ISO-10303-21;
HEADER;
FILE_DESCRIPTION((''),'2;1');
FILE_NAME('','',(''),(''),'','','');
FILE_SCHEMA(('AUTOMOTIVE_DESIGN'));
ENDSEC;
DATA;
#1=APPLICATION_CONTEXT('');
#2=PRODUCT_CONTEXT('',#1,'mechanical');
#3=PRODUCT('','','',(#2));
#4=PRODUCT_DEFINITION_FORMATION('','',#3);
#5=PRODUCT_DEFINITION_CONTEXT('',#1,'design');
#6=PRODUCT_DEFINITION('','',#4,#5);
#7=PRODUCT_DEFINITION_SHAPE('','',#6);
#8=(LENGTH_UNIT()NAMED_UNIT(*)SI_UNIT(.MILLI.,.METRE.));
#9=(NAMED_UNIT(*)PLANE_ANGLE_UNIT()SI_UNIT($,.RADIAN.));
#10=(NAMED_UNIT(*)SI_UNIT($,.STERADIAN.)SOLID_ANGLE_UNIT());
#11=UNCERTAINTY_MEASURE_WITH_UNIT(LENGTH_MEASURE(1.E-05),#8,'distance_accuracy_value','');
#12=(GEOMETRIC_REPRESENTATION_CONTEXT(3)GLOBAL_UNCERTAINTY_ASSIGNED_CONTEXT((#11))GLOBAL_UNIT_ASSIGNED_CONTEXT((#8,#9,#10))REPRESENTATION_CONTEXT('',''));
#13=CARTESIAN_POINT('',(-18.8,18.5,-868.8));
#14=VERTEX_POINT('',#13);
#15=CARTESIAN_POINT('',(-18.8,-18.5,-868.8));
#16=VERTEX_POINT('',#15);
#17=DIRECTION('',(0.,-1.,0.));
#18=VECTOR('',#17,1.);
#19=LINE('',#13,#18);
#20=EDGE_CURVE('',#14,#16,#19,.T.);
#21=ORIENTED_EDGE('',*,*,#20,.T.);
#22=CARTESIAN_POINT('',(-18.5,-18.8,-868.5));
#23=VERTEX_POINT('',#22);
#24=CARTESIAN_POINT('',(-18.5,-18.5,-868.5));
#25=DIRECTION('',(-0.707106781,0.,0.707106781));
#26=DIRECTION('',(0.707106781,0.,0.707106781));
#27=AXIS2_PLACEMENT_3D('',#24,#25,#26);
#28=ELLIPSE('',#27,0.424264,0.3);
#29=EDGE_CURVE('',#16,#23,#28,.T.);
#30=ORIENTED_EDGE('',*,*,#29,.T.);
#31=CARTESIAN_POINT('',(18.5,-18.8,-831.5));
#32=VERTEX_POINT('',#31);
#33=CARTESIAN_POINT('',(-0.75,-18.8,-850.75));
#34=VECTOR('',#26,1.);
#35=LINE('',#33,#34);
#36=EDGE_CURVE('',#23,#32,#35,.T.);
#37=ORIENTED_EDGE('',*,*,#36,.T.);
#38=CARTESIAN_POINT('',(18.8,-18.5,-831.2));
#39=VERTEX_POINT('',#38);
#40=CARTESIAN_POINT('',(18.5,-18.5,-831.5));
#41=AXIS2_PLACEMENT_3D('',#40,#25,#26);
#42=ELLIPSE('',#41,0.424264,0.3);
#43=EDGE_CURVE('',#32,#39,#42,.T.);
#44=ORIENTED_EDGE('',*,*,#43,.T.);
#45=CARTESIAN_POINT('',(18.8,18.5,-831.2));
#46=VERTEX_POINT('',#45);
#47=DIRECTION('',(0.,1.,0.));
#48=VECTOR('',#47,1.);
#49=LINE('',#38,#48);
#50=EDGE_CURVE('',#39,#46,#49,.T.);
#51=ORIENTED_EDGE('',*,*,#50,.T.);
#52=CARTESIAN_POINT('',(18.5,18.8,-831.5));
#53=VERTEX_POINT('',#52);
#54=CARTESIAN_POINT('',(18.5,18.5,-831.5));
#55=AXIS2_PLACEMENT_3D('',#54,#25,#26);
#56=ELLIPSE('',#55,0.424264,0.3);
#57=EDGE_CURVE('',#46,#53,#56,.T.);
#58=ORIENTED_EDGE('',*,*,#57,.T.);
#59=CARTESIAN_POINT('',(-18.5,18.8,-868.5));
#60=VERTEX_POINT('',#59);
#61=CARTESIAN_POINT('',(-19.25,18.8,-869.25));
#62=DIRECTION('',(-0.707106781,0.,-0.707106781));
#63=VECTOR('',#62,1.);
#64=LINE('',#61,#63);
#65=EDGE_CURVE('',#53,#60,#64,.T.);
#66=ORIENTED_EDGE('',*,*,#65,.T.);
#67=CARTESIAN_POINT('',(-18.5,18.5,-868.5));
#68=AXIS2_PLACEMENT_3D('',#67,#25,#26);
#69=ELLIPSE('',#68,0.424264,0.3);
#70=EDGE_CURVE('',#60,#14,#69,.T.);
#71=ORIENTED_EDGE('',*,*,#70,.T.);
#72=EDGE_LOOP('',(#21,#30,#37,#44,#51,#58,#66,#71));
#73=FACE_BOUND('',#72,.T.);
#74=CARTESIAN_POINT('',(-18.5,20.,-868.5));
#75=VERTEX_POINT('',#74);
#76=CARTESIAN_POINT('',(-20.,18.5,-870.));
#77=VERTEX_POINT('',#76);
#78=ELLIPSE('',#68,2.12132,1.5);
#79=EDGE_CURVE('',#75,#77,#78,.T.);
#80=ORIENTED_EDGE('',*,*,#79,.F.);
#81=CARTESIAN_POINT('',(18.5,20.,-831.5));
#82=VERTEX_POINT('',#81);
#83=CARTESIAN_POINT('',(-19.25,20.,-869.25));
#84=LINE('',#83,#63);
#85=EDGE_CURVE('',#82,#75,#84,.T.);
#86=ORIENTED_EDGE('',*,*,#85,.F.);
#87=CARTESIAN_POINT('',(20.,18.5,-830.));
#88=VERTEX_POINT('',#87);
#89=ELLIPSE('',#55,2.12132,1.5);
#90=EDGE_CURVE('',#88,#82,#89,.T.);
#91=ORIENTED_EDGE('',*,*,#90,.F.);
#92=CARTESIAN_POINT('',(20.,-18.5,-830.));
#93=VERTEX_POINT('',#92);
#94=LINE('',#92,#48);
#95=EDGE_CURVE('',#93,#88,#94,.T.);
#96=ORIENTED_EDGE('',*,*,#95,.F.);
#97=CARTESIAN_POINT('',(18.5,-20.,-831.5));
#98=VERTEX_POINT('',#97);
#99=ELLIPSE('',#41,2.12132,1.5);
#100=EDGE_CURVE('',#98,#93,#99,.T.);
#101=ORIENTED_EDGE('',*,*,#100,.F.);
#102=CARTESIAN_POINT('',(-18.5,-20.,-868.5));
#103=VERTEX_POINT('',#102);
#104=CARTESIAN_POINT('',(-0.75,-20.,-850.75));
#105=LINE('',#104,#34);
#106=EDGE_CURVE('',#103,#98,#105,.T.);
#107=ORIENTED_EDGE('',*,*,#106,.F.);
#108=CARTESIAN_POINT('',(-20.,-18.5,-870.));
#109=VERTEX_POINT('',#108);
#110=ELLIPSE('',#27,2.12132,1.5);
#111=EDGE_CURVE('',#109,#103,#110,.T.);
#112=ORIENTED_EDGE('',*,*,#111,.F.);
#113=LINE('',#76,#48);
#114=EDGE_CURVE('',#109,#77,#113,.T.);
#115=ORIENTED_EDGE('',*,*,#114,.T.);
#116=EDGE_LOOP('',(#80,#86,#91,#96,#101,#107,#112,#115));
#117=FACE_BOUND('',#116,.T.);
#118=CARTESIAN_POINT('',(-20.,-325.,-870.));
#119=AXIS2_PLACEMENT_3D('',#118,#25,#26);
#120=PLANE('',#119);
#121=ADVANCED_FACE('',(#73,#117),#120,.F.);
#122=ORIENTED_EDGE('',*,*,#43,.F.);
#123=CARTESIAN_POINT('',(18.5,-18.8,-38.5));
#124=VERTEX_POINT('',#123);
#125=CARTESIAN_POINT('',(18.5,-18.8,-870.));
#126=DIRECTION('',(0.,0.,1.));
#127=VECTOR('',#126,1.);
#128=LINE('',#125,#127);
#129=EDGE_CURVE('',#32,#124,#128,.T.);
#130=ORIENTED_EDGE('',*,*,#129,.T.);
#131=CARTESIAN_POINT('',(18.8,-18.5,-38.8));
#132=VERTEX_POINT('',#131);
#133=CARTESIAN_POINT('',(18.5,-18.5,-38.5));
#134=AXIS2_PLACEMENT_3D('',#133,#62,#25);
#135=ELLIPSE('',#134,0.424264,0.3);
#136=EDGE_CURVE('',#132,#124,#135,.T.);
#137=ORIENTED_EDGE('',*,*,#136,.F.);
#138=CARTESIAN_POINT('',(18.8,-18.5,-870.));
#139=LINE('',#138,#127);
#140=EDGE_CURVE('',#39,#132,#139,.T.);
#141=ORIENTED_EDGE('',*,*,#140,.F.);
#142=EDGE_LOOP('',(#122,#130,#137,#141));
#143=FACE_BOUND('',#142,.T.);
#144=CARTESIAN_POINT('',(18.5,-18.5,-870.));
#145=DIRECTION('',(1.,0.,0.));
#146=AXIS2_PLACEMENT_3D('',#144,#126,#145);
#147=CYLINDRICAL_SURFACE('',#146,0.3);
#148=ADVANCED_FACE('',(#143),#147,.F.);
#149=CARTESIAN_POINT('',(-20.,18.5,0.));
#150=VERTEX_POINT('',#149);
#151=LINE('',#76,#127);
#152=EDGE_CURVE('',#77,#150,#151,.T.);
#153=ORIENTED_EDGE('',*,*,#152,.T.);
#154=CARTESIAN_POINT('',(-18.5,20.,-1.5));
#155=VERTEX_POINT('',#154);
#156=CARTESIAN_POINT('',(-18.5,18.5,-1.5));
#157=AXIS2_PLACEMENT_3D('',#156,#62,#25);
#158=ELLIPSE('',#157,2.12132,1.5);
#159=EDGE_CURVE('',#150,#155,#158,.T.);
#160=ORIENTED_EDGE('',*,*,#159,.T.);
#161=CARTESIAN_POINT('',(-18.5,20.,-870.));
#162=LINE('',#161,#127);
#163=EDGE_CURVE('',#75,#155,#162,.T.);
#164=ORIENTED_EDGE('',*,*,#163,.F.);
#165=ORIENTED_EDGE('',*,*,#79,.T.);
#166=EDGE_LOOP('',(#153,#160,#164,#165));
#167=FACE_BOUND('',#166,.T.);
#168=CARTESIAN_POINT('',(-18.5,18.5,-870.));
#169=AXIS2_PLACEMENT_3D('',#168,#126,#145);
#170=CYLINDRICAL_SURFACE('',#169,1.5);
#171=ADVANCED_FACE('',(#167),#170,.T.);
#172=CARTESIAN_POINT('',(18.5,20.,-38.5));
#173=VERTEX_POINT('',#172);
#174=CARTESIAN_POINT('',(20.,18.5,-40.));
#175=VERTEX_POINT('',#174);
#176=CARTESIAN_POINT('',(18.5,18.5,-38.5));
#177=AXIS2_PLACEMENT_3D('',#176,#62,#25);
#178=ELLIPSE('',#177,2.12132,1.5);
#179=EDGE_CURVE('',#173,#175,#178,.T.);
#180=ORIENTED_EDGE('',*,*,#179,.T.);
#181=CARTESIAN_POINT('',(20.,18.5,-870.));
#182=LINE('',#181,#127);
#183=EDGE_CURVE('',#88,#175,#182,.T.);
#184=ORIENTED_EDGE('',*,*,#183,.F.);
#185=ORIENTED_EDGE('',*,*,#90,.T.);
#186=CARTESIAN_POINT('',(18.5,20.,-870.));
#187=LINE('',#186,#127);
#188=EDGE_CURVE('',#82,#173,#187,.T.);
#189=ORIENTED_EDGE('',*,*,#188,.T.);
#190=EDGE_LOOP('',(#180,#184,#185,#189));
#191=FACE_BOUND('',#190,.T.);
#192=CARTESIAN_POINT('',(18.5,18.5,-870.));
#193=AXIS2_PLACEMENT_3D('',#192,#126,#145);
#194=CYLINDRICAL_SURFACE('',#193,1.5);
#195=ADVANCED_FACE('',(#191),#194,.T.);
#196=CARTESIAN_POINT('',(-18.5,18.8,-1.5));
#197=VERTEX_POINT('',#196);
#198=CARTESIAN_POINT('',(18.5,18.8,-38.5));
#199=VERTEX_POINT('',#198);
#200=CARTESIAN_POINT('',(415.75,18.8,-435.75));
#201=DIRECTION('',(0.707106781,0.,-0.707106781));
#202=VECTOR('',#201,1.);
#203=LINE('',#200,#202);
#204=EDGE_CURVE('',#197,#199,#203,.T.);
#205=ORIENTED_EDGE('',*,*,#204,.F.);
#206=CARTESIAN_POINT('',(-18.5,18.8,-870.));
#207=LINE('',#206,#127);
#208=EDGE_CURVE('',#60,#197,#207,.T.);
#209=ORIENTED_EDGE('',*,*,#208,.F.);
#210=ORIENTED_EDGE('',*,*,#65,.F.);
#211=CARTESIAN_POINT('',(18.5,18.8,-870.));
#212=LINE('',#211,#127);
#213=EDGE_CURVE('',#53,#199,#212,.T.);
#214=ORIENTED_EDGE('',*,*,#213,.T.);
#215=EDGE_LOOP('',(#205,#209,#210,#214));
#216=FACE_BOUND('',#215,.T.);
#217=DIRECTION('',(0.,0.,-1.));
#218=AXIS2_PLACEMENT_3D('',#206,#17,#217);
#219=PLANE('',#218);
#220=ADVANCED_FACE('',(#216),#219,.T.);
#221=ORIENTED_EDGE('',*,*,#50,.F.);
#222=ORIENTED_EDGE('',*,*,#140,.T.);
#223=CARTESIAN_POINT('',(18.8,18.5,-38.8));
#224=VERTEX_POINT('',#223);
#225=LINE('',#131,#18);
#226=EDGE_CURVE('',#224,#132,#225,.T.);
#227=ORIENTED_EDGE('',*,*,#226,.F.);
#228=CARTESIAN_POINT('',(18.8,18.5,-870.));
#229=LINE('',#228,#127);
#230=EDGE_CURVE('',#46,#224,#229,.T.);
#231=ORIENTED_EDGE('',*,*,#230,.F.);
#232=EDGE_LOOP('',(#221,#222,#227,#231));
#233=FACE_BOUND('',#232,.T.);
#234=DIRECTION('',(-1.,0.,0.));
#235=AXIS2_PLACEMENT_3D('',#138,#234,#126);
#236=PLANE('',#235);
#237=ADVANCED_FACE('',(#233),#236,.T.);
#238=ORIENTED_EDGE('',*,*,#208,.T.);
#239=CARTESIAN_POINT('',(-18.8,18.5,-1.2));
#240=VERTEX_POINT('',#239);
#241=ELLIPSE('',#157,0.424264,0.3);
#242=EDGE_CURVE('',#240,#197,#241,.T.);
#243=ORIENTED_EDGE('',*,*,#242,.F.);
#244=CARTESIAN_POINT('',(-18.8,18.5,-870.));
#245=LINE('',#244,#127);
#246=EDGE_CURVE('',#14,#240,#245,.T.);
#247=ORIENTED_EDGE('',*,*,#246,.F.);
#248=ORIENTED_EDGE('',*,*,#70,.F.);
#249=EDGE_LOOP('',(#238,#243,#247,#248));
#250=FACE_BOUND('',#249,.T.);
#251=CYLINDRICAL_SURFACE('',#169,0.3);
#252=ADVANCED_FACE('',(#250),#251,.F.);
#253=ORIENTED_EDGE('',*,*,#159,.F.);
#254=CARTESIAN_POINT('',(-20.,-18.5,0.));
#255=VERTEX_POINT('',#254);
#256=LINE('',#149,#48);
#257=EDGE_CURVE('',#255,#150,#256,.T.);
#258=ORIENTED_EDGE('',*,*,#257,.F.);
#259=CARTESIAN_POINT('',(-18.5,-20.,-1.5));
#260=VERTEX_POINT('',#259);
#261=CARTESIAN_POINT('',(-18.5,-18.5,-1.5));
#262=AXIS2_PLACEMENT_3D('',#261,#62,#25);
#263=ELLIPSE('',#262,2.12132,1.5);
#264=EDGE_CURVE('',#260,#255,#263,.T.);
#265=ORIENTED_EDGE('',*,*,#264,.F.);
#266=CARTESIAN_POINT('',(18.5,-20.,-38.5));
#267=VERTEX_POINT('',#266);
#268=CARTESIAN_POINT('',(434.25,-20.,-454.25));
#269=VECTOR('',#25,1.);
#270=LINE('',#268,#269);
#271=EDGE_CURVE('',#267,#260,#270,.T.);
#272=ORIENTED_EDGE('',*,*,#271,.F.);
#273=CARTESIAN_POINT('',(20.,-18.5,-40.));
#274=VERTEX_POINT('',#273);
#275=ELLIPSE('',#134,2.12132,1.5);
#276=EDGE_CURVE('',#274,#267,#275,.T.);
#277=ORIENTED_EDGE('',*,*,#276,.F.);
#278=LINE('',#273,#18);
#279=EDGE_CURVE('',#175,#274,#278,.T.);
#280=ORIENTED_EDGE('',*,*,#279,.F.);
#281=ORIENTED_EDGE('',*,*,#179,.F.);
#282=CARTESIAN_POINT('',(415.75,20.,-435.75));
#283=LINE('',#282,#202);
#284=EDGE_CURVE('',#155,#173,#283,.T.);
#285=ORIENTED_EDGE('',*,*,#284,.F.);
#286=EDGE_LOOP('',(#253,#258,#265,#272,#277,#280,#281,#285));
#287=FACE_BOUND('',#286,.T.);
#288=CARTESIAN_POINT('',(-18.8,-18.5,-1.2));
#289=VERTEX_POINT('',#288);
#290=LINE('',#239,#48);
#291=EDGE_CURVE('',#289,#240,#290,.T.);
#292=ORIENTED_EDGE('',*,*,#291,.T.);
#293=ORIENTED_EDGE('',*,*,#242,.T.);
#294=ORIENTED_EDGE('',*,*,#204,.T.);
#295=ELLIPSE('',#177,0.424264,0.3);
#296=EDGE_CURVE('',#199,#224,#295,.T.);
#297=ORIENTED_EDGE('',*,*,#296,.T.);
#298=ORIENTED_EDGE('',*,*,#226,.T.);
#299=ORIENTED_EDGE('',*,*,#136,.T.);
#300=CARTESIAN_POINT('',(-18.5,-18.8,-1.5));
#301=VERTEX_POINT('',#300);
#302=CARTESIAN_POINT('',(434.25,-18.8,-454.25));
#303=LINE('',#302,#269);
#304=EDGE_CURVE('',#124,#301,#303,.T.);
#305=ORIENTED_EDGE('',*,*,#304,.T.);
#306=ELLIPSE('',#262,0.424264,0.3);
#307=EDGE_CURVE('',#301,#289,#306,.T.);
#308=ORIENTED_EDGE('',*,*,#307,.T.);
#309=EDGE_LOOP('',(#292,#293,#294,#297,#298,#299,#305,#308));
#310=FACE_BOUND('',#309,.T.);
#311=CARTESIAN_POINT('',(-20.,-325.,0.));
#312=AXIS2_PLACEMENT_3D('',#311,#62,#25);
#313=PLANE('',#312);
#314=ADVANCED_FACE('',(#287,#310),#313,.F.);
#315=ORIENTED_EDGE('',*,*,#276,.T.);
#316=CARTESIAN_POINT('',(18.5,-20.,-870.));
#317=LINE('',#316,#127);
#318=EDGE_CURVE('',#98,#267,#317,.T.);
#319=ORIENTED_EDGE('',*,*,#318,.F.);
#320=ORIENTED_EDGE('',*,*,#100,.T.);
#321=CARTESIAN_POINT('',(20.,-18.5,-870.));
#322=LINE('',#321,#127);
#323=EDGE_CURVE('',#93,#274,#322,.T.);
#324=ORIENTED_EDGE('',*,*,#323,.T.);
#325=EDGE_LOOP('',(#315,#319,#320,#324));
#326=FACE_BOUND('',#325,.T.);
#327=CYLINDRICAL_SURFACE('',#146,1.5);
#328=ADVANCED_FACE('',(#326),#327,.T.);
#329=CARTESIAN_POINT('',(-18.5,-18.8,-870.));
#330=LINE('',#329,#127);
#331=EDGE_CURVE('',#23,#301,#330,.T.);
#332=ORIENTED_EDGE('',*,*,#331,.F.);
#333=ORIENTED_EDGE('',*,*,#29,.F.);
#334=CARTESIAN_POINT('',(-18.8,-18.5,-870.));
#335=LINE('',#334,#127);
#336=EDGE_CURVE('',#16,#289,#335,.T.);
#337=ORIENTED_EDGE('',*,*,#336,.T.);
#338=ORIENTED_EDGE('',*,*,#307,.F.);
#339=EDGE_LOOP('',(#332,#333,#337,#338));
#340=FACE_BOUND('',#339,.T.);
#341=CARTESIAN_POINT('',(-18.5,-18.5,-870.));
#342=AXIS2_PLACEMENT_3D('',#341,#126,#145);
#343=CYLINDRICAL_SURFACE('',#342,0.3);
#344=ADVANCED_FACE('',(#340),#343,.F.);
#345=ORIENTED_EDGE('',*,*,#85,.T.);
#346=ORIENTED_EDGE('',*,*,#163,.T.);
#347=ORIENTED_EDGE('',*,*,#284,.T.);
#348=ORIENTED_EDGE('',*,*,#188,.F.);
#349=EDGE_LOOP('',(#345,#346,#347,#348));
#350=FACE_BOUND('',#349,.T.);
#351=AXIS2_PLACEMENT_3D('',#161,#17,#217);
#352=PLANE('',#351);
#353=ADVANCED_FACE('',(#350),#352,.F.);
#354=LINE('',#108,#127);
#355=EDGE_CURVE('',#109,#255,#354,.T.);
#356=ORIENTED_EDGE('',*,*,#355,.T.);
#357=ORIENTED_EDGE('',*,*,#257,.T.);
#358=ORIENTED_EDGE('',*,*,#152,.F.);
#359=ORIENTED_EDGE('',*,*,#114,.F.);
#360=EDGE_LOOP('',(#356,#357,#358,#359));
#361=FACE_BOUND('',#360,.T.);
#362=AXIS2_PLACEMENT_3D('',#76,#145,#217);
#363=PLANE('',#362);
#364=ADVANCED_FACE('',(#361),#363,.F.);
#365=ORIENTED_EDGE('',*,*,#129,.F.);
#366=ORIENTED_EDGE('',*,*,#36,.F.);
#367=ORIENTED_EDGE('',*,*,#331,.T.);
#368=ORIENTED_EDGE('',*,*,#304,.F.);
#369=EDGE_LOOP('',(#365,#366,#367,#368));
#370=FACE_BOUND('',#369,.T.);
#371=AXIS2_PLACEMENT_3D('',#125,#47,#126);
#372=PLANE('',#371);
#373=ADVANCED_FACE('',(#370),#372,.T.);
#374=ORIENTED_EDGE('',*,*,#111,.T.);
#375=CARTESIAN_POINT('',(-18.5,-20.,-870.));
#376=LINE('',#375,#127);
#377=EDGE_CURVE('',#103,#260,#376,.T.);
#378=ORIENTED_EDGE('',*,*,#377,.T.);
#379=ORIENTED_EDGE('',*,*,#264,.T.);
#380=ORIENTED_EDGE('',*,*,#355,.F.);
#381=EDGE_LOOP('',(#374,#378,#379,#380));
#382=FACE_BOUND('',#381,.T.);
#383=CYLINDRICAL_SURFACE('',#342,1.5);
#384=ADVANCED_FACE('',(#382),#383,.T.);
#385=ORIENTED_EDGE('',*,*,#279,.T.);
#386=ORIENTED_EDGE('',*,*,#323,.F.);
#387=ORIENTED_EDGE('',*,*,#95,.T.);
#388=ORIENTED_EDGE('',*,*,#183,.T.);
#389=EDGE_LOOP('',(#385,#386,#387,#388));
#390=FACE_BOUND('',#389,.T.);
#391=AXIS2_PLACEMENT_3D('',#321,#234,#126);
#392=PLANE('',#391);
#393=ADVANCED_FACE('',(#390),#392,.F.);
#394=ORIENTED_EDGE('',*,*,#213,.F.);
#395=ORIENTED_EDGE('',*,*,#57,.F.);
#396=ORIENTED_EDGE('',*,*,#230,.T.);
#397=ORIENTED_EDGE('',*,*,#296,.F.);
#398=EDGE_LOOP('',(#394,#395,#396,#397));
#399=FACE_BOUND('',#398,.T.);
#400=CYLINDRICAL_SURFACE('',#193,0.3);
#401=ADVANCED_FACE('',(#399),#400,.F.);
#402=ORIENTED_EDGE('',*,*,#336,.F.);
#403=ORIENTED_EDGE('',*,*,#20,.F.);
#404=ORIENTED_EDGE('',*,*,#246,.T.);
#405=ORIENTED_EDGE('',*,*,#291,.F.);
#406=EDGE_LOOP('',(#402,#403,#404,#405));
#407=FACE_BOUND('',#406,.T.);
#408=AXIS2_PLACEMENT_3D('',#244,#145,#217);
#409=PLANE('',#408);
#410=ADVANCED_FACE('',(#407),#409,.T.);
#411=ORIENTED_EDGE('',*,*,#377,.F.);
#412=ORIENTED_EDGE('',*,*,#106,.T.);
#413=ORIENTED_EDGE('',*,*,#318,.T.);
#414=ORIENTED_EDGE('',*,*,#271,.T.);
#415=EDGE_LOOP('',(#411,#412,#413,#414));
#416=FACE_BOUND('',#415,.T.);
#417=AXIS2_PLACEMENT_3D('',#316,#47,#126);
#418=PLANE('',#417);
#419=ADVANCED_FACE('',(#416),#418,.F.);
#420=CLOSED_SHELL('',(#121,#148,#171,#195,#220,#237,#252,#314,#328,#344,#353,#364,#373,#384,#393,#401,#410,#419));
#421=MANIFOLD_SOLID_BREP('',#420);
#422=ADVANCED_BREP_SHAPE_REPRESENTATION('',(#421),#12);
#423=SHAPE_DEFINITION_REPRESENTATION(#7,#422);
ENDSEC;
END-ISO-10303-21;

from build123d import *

# Parameters (mm, degrees)
STRUCTURAL_MEMBER1_DEPTH = 870
CUT_EXTRUDE2_DEPTH       = 375


with BuildPart() as part:
    # Sketch12 → Structural Member1 (new body)
    with BuildSketch(Plane(origin=(0, 0, 0), x_dir=(-1, 0, 0), z_dir=(0, 0, -1))):
        with BuildLine():
            Line((-18.5, -20), (18.5, -20))
            ThreePointArc((18.5, -20), (19.560660172, -19.560660172), (20, -18.5))
            Line((20, -18.5), (20, 18.5))
            ThreePointArc((20, 18.5), (19.560660172, 19.560660172), (18.5, 20))
            Line((18.5, 20), (-18.5, 20))
            ThreePointArc((-18.5, 20), (-19.560660172, 19.560660172), (-20, 18.5))
            Line((-20, 18.5), (-20, -18.5))
            ThreePointArc((-20, -18.5), (-19.560660172, -19.560660172), (-18.5, -20))
        make_face()
        with BuildLine():
            Line((-18.5, -18.8), (18.5, -18.8))
            ThreePointArc((18.5, -18.8), (18.712132034, -18.712132034), (18.8, -18.5))
            Line((18.8, -18.5), (18.8, 18.5))
            ThreePointArc((18.8, 18.5), (18.712132034, 18.712132034), (18.5, 18.8))
            Line((18.5, 18.8), (-18.5, 18.8))
            ThreePointArc((-18.5, 18.8), (-18.712132034, 18.712132034), (-18.8, 18.5))
            Line((-18.8, 18.5), (-18.8, -18.5))
            ThreePointArc((-18.8, -18.5), (-18.712132034, -18.712132034), (-18.5, -18.8))
        make_face(mode=Mode.SUBTRACT)
    extrude(amount=STRUCTURAL_MEMBER1_DEPTH)

    # Sketch14 → Cut-Extrude2 (cut)
    with BuildSketch(Plane(origin=(0, 50, 0), x_dir=(1, 0, 0), z_dir=(0, 1, 0))):
        Polygon((-20, 870), (54.165109429, 795.834890571), (54.165109429, 870), align=None)
        Polygon((-20, 0), (47.823796094, 67.823796094), (47.823796094, 0), align=None)
    extrude(amount=-CUT_EXTRUDE2_DEPTH, mode=Mode.SUBTRACT)


solid = part.part
